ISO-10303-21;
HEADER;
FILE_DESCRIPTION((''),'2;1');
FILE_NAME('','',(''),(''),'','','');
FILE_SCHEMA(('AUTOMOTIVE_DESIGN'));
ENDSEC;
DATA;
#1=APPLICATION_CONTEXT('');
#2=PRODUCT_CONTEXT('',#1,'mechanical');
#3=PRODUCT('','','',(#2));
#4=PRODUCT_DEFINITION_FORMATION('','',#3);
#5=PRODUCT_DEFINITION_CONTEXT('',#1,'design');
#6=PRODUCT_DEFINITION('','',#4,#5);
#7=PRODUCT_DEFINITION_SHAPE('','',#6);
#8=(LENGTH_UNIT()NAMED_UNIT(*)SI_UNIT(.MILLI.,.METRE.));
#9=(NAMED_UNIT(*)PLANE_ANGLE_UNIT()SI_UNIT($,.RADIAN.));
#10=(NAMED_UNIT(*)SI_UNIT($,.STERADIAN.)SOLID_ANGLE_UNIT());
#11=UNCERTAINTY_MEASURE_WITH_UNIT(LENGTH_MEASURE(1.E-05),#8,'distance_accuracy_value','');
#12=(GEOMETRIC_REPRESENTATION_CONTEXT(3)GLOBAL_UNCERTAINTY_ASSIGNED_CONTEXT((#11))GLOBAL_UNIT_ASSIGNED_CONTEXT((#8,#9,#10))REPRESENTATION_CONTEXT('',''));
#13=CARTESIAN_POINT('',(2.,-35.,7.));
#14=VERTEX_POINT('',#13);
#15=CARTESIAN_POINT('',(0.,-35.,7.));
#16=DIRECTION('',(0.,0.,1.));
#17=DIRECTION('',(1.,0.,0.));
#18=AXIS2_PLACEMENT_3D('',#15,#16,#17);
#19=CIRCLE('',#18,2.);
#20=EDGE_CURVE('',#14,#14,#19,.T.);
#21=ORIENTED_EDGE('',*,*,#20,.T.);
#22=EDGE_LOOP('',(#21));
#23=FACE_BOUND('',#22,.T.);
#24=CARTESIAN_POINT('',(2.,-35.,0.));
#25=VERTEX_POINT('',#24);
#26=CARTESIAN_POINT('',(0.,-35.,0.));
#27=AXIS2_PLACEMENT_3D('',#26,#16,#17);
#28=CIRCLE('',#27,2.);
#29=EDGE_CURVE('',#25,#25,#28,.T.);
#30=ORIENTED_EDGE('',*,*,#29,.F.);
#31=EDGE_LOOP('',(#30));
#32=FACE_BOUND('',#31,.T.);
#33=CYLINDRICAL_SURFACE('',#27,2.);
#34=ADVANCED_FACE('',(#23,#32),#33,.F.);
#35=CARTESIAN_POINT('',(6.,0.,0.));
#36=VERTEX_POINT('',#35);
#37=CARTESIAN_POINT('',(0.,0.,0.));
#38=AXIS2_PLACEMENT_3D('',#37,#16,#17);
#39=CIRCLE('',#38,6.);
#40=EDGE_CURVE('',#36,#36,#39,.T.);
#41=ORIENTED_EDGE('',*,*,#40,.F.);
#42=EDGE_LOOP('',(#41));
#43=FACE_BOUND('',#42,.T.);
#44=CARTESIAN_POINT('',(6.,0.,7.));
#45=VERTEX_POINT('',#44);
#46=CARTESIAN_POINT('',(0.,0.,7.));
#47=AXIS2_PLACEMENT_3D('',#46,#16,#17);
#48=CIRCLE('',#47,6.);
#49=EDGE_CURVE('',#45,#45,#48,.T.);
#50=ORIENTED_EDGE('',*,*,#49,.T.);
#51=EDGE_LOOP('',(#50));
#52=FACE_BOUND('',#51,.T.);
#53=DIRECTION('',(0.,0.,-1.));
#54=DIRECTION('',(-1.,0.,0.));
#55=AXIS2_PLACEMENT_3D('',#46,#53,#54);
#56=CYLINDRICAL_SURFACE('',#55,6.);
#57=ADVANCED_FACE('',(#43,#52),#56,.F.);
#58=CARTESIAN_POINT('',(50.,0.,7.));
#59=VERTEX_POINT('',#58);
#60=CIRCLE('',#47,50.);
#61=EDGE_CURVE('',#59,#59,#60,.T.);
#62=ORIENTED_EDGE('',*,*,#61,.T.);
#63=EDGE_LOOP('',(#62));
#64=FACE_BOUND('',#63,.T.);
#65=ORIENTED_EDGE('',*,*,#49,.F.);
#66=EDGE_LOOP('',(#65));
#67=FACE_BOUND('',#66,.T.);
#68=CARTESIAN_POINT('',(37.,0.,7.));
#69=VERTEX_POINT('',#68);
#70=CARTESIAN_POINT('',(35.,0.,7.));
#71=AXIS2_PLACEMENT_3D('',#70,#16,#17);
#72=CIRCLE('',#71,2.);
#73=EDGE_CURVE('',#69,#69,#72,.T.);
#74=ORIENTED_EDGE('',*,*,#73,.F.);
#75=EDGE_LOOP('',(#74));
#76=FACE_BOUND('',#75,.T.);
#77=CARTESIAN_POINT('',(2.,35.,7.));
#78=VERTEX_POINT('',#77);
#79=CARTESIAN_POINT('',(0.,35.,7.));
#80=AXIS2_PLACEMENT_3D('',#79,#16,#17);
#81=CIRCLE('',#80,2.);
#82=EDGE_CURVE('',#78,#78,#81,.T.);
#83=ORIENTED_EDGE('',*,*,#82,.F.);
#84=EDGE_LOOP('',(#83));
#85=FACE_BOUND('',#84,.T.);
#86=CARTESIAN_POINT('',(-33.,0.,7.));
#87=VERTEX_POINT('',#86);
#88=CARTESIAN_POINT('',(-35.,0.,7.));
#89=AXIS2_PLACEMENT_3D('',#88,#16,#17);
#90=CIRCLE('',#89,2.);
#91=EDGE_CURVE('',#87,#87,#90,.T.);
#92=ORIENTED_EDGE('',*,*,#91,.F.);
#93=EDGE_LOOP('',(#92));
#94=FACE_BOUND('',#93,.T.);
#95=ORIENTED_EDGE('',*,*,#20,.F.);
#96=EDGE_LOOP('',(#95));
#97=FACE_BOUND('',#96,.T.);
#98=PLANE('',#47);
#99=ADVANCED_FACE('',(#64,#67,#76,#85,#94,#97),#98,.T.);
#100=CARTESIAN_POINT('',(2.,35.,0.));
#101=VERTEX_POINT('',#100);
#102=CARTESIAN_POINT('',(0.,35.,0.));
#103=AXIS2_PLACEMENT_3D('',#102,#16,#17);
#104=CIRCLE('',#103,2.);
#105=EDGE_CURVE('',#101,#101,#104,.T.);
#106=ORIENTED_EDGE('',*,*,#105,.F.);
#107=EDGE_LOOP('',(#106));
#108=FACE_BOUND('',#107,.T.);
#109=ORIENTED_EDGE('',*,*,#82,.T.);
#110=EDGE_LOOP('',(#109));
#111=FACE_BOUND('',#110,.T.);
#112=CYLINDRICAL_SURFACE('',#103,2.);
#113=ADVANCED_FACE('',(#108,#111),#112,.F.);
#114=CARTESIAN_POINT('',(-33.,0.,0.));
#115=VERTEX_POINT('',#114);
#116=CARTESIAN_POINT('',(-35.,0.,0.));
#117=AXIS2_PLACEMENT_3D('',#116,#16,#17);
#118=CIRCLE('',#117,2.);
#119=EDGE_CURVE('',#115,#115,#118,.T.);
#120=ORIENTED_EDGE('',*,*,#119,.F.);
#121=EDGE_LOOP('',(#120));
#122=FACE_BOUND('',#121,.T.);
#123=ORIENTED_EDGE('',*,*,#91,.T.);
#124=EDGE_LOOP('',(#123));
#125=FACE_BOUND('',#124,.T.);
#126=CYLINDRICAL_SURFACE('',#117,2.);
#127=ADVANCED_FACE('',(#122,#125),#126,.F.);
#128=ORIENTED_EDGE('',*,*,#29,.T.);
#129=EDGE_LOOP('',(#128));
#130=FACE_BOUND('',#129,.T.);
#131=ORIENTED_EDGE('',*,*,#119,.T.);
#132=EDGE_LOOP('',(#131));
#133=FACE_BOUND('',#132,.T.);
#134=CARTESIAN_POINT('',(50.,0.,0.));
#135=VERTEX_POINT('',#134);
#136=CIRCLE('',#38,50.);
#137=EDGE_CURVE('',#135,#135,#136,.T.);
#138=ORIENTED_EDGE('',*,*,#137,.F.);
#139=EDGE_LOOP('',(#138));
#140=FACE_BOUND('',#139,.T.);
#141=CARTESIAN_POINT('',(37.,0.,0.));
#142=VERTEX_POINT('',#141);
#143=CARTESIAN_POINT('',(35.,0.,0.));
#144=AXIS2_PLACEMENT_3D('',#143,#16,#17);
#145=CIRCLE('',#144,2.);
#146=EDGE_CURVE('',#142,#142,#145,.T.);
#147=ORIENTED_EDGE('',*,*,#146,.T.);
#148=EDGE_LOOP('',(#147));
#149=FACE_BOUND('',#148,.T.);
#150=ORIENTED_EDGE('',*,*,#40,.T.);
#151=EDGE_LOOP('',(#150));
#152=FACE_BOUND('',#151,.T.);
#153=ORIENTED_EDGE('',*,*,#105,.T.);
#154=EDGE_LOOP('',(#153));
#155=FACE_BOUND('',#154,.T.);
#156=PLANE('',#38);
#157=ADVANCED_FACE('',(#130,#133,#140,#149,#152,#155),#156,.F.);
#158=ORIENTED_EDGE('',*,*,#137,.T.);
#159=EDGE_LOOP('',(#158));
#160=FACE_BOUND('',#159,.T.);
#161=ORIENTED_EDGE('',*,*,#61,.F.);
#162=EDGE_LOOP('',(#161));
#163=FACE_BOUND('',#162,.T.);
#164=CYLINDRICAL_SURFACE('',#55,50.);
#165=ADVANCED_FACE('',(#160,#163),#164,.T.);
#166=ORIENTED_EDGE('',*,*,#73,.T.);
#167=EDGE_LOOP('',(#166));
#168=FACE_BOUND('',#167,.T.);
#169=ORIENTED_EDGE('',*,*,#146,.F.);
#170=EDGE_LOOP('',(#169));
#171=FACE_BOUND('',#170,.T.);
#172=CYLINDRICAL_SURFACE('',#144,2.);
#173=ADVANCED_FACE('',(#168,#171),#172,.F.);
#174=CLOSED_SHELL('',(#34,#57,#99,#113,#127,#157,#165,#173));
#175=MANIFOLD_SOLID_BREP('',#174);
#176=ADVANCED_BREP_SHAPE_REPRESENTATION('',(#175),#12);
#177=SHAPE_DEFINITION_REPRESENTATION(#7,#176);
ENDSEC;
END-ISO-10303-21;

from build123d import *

# Parameters (mm, degrees)
SKETCH1_R           = 50
SKETCH1_R_2         = 6
BOSS_EXTRUDE1_DEPTH = 7
SKETCH2_R           = 2
CUT_EXTRUDE1_DEPTH  = 72.056315694


with BuildPart() as part:
    # Sketch1 → Boss-Extrude1 (new body)
    with BuildSketch(Plane.XY):
        Circle(SKETCH1_R)
        Circle(SKETCH1_R_2, mode=Mode.SUBTRACT)
    extrude(amount=BOSS_EXTRUDE1_DEPTH)

    # Sketch2 → Cut-Extrude1 (cut, through all)
    with BuildSketch(Plane.XY.offset(7)):
        with Locations((0, 35)):
            Circle(SKETCH2_R)
        with Locations((0, -35)):
            Circle(SKETCH2_R)
        with Locations((-35, 0)):
            Circle(SKETCH2_R)
        with Locations((35, 0)):
            Circle(SKETCH2_R)
    extrude(amount=-CUT_EXTRUDE1_DEPTH, mode=Mode.SUBTRACT)


solid = part.part
